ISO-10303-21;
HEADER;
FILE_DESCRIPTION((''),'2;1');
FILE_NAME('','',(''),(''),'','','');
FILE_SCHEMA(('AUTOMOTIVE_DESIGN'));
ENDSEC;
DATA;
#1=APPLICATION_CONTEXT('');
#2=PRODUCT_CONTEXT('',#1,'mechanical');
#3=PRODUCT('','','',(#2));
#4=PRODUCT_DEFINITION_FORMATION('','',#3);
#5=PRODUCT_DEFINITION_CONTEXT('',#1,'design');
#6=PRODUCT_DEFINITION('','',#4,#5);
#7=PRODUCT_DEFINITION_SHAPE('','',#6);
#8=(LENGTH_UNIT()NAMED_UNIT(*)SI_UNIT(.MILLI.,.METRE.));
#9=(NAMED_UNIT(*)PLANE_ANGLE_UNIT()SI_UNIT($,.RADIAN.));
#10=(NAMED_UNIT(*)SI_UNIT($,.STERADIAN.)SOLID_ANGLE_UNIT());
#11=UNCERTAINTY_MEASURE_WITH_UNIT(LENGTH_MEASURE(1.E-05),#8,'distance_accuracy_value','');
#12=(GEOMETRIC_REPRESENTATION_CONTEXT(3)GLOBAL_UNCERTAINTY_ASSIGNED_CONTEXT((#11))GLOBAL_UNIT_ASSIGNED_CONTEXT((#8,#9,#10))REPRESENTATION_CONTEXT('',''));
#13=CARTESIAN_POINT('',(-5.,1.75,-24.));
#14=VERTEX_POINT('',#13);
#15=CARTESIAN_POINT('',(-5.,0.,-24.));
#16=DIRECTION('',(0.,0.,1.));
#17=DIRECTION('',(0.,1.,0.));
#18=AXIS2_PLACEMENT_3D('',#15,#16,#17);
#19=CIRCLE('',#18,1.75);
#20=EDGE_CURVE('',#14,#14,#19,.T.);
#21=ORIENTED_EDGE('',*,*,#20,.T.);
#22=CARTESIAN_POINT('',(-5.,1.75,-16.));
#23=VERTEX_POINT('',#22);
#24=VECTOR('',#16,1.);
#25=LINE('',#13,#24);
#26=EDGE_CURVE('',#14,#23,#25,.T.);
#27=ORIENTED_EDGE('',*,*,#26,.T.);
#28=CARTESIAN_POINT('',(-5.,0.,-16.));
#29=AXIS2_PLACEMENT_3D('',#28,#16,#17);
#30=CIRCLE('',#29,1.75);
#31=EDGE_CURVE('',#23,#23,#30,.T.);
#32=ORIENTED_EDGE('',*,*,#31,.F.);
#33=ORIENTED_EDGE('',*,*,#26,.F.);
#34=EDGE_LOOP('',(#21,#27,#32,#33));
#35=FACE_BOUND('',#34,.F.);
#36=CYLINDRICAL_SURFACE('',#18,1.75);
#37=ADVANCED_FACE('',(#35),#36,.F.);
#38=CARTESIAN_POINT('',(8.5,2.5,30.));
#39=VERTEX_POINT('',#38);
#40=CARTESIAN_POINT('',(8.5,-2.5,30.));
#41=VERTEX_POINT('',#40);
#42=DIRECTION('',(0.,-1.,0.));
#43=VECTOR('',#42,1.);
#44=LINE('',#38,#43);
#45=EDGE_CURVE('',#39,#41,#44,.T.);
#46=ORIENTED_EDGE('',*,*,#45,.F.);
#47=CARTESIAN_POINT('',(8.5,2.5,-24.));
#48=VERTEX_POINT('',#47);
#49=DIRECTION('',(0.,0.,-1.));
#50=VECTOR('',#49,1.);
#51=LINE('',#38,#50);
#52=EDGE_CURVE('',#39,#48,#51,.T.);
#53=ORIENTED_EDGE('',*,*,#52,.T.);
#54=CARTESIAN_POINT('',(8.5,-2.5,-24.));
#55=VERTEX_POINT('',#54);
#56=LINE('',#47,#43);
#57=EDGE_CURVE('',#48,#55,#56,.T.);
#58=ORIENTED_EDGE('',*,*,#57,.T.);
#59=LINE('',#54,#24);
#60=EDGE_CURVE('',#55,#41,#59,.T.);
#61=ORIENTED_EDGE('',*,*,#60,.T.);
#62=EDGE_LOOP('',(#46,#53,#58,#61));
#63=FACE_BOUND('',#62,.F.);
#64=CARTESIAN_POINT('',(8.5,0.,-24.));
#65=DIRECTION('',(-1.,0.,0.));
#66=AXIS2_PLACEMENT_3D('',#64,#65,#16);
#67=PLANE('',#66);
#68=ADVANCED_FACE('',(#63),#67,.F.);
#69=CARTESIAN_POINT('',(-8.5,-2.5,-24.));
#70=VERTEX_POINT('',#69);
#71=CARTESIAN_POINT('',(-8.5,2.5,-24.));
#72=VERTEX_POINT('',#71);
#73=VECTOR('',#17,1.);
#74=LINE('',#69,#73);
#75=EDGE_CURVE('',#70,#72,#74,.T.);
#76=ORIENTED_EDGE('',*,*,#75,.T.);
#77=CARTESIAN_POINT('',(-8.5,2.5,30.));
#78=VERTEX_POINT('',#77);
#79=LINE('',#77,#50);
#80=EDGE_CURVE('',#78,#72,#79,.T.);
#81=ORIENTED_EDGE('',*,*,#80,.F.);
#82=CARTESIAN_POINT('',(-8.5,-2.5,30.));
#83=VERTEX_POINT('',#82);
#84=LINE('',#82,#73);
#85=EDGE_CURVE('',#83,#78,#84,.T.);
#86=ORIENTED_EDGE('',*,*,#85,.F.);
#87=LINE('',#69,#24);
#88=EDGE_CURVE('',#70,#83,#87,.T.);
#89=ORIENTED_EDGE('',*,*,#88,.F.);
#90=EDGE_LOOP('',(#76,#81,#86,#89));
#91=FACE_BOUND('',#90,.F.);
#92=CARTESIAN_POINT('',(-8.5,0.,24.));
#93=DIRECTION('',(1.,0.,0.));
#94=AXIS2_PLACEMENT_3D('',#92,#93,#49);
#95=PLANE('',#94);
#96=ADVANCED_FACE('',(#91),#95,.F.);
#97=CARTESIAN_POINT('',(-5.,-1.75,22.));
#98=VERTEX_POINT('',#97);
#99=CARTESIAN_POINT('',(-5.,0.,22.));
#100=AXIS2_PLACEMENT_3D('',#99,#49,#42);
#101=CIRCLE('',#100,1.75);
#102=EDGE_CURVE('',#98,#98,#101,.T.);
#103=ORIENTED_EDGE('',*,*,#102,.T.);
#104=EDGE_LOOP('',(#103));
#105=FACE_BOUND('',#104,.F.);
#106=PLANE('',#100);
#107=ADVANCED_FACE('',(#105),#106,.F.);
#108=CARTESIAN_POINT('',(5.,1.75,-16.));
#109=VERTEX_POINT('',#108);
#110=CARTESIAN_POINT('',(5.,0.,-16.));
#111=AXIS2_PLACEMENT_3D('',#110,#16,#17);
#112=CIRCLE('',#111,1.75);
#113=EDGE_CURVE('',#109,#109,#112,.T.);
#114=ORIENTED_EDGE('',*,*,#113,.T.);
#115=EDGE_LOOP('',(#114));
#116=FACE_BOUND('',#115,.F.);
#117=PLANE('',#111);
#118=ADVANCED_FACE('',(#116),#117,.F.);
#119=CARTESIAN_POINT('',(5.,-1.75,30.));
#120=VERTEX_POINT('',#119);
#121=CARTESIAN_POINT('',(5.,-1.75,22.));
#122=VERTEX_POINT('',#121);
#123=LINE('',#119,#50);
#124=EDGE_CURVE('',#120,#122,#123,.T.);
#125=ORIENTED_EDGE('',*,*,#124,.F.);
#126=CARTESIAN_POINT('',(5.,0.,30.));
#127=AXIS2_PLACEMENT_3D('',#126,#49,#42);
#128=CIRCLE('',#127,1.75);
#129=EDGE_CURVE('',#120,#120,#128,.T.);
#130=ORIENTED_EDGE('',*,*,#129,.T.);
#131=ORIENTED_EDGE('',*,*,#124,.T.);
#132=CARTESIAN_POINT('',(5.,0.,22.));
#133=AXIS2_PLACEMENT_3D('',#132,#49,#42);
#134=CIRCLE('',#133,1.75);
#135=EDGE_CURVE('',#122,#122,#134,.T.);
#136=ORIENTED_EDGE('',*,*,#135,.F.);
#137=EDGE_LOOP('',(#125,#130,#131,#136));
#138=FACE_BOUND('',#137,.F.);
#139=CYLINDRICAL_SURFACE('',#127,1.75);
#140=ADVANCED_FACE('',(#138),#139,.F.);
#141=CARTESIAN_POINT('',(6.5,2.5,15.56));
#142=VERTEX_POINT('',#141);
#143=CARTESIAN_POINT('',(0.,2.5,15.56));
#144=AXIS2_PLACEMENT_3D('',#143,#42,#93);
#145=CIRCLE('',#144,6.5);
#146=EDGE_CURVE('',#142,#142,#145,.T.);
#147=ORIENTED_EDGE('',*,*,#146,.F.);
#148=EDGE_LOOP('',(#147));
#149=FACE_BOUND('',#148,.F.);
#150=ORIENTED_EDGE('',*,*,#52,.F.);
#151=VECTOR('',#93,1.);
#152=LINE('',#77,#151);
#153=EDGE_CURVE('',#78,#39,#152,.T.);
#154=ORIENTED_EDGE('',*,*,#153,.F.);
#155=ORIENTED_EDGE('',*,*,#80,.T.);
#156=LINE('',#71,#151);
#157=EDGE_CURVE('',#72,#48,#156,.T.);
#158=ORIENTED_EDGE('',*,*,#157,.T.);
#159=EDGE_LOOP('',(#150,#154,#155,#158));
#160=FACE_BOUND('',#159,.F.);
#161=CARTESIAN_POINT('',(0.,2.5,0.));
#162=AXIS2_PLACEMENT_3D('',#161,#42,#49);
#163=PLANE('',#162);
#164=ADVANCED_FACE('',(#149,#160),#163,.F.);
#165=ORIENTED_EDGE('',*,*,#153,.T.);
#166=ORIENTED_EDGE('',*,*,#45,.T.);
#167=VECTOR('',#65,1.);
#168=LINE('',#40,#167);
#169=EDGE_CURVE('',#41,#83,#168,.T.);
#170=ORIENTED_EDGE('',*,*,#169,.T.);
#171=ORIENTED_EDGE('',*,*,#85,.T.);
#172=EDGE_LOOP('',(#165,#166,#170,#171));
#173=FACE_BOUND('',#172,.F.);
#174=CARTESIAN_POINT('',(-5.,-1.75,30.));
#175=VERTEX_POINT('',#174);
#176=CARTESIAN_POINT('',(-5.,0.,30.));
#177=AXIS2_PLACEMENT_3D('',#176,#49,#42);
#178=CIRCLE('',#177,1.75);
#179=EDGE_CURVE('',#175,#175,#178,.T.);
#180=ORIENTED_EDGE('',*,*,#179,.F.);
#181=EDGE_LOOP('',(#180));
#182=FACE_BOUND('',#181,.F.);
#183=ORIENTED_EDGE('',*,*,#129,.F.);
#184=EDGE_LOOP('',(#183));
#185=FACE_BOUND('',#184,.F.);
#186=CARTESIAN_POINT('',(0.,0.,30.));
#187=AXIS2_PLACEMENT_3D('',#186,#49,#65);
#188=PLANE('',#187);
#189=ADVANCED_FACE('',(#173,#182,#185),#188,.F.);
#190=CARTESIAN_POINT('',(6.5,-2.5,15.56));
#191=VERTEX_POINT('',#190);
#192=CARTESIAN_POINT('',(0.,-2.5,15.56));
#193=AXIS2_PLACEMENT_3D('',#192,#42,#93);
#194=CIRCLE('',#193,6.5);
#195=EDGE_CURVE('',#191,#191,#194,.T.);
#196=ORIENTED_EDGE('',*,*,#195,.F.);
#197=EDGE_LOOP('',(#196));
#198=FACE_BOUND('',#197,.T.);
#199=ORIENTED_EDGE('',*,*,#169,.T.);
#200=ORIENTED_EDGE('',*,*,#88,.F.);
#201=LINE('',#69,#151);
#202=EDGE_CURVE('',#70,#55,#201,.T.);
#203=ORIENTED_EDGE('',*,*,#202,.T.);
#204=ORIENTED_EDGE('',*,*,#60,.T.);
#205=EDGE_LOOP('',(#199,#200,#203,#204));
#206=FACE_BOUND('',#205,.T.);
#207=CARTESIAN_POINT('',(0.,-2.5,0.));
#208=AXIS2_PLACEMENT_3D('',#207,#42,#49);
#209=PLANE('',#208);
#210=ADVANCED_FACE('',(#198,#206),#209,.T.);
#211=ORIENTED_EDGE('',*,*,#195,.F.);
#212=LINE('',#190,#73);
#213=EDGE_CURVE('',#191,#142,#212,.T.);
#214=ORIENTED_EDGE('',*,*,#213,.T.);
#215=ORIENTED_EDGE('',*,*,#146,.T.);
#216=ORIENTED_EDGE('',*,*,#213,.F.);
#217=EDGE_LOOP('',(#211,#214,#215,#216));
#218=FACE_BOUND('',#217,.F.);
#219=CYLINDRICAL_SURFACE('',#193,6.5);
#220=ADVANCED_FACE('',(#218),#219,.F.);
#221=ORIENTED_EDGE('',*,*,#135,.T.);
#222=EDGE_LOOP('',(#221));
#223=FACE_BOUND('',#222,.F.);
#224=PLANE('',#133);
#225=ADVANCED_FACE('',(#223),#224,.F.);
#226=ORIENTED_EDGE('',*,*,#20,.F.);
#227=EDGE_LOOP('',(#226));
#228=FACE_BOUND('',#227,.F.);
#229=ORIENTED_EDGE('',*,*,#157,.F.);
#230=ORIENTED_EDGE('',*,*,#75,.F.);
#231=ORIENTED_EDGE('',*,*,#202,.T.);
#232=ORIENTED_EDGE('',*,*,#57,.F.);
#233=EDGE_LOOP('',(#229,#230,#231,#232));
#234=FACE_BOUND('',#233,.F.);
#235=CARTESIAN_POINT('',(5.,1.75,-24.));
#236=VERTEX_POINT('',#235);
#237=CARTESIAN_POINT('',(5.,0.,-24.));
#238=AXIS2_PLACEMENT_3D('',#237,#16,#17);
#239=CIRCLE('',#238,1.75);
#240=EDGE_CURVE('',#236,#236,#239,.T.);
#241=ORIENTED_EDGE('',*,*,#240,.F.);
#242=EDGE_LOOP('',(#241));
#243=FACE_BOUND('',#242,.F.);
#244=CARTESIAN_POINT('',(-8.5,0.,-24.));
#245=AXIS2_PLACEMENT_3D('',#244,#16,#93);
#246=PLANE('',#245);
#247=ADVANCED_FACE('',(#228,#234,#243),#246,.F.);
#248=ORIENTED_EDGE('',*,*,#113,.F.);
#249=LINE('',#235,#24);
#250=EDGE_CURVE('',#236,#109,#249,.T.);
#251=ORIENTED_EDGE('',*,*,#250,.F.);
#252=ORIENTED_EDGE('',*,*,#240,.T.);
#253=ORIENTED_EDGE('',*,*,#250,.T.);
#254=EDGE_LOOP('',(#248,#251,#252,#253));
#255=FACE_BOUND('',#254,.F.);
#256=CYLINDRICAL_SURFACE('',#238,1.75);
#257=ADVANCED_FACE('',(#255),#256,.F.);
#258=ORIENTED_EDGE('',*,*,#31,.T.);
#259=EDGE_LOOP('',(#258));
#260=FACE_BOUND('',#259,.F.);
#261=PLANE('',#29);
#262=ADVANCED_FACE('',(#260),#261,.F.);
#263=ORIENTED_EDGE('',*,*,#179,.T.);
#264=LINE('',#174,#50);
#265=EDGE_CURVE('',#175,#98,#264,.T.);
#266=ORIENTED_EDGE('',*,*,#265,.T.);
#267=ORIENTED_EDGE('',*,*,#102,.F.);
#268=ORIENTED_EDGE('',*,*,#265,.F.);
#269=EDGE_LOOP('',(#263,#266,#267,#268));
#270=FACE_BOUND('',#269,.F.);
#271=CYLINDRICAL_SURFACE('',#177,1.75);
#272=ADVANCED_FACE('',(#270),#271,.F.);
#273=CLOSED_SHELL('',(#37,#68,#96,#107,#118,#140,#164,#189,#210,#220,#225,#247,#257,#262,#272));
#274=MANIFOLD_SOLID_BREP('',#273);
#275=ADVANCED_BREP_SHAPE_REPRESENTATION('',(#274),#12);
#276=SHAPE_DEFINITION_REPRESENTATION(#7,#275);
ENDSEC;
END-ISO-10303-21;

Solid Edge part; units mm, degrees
sketch "Sketch1" plane through (0, 0, 0) normal (0, -1, 0) x (1, 0, 0)
  line L0 (-8.5, -24) -> (8.5, -24)
  line L1 (8.5, -24) -> (8.5, 24)
  line L2 (8.5, 24) -> (-8.5, 24)
  line L3 (-8.5, 24) -> (-8.5, -24)
  dimension "D1" = 17
  dimension "D2" = 48
extrude "Protrusion1" add sketch "Sketch1" along normal mid plane 5
sketch "Sketch2" plane through (0, -2.5, 0) normal (0, -1, 0) x (1, 0, 0)
  circle A0 centre (0, 15.56) radius 6.5
  dimension "D1" = 13
  dimension "D2" = 39.56
  dimension "D3" = 8.5
extrude "Extrusionsausschnitt_1" cut sketch "Sketch2" against normal blind 64
hole "Bohrung_1" at (-5, 0, -24) direction (0, 0, 1) diameter 3.5 depth 8
hole "Hole1" at (5, 0, -24) direction (0, 0, 1) diameter 3.5 depth 8
sketch "Sketch3" plane through (0, 0, 24) normal (0, 0, 1) x (1, 0, 0)
  line L0 (-8.5, 2.5) -> (8.5, 2.5)
  line L1 (8.5, 2.5) -> (8.5, -2.5)
  line L2 (8.5, -2.5) -> (-8.5, -2.5)
  line L3 (-8.5, -2.5) -> (-8.5, 2.5)
extrude "Extrusionsausprägung_2" add sketch "Sketch3" along normal blind 6
hole "Bohrung_5" at (-5, 0, 30) direction (0, 0, -1) diameter 3.5 depth 8
hole "Hole2" at (5, 0, 30) direction (0, 0, -1) diameter 3.5 depth 8
properties material "Aluminiumlegierung:3.0205, Al 99.0, EN-AW 1200"
